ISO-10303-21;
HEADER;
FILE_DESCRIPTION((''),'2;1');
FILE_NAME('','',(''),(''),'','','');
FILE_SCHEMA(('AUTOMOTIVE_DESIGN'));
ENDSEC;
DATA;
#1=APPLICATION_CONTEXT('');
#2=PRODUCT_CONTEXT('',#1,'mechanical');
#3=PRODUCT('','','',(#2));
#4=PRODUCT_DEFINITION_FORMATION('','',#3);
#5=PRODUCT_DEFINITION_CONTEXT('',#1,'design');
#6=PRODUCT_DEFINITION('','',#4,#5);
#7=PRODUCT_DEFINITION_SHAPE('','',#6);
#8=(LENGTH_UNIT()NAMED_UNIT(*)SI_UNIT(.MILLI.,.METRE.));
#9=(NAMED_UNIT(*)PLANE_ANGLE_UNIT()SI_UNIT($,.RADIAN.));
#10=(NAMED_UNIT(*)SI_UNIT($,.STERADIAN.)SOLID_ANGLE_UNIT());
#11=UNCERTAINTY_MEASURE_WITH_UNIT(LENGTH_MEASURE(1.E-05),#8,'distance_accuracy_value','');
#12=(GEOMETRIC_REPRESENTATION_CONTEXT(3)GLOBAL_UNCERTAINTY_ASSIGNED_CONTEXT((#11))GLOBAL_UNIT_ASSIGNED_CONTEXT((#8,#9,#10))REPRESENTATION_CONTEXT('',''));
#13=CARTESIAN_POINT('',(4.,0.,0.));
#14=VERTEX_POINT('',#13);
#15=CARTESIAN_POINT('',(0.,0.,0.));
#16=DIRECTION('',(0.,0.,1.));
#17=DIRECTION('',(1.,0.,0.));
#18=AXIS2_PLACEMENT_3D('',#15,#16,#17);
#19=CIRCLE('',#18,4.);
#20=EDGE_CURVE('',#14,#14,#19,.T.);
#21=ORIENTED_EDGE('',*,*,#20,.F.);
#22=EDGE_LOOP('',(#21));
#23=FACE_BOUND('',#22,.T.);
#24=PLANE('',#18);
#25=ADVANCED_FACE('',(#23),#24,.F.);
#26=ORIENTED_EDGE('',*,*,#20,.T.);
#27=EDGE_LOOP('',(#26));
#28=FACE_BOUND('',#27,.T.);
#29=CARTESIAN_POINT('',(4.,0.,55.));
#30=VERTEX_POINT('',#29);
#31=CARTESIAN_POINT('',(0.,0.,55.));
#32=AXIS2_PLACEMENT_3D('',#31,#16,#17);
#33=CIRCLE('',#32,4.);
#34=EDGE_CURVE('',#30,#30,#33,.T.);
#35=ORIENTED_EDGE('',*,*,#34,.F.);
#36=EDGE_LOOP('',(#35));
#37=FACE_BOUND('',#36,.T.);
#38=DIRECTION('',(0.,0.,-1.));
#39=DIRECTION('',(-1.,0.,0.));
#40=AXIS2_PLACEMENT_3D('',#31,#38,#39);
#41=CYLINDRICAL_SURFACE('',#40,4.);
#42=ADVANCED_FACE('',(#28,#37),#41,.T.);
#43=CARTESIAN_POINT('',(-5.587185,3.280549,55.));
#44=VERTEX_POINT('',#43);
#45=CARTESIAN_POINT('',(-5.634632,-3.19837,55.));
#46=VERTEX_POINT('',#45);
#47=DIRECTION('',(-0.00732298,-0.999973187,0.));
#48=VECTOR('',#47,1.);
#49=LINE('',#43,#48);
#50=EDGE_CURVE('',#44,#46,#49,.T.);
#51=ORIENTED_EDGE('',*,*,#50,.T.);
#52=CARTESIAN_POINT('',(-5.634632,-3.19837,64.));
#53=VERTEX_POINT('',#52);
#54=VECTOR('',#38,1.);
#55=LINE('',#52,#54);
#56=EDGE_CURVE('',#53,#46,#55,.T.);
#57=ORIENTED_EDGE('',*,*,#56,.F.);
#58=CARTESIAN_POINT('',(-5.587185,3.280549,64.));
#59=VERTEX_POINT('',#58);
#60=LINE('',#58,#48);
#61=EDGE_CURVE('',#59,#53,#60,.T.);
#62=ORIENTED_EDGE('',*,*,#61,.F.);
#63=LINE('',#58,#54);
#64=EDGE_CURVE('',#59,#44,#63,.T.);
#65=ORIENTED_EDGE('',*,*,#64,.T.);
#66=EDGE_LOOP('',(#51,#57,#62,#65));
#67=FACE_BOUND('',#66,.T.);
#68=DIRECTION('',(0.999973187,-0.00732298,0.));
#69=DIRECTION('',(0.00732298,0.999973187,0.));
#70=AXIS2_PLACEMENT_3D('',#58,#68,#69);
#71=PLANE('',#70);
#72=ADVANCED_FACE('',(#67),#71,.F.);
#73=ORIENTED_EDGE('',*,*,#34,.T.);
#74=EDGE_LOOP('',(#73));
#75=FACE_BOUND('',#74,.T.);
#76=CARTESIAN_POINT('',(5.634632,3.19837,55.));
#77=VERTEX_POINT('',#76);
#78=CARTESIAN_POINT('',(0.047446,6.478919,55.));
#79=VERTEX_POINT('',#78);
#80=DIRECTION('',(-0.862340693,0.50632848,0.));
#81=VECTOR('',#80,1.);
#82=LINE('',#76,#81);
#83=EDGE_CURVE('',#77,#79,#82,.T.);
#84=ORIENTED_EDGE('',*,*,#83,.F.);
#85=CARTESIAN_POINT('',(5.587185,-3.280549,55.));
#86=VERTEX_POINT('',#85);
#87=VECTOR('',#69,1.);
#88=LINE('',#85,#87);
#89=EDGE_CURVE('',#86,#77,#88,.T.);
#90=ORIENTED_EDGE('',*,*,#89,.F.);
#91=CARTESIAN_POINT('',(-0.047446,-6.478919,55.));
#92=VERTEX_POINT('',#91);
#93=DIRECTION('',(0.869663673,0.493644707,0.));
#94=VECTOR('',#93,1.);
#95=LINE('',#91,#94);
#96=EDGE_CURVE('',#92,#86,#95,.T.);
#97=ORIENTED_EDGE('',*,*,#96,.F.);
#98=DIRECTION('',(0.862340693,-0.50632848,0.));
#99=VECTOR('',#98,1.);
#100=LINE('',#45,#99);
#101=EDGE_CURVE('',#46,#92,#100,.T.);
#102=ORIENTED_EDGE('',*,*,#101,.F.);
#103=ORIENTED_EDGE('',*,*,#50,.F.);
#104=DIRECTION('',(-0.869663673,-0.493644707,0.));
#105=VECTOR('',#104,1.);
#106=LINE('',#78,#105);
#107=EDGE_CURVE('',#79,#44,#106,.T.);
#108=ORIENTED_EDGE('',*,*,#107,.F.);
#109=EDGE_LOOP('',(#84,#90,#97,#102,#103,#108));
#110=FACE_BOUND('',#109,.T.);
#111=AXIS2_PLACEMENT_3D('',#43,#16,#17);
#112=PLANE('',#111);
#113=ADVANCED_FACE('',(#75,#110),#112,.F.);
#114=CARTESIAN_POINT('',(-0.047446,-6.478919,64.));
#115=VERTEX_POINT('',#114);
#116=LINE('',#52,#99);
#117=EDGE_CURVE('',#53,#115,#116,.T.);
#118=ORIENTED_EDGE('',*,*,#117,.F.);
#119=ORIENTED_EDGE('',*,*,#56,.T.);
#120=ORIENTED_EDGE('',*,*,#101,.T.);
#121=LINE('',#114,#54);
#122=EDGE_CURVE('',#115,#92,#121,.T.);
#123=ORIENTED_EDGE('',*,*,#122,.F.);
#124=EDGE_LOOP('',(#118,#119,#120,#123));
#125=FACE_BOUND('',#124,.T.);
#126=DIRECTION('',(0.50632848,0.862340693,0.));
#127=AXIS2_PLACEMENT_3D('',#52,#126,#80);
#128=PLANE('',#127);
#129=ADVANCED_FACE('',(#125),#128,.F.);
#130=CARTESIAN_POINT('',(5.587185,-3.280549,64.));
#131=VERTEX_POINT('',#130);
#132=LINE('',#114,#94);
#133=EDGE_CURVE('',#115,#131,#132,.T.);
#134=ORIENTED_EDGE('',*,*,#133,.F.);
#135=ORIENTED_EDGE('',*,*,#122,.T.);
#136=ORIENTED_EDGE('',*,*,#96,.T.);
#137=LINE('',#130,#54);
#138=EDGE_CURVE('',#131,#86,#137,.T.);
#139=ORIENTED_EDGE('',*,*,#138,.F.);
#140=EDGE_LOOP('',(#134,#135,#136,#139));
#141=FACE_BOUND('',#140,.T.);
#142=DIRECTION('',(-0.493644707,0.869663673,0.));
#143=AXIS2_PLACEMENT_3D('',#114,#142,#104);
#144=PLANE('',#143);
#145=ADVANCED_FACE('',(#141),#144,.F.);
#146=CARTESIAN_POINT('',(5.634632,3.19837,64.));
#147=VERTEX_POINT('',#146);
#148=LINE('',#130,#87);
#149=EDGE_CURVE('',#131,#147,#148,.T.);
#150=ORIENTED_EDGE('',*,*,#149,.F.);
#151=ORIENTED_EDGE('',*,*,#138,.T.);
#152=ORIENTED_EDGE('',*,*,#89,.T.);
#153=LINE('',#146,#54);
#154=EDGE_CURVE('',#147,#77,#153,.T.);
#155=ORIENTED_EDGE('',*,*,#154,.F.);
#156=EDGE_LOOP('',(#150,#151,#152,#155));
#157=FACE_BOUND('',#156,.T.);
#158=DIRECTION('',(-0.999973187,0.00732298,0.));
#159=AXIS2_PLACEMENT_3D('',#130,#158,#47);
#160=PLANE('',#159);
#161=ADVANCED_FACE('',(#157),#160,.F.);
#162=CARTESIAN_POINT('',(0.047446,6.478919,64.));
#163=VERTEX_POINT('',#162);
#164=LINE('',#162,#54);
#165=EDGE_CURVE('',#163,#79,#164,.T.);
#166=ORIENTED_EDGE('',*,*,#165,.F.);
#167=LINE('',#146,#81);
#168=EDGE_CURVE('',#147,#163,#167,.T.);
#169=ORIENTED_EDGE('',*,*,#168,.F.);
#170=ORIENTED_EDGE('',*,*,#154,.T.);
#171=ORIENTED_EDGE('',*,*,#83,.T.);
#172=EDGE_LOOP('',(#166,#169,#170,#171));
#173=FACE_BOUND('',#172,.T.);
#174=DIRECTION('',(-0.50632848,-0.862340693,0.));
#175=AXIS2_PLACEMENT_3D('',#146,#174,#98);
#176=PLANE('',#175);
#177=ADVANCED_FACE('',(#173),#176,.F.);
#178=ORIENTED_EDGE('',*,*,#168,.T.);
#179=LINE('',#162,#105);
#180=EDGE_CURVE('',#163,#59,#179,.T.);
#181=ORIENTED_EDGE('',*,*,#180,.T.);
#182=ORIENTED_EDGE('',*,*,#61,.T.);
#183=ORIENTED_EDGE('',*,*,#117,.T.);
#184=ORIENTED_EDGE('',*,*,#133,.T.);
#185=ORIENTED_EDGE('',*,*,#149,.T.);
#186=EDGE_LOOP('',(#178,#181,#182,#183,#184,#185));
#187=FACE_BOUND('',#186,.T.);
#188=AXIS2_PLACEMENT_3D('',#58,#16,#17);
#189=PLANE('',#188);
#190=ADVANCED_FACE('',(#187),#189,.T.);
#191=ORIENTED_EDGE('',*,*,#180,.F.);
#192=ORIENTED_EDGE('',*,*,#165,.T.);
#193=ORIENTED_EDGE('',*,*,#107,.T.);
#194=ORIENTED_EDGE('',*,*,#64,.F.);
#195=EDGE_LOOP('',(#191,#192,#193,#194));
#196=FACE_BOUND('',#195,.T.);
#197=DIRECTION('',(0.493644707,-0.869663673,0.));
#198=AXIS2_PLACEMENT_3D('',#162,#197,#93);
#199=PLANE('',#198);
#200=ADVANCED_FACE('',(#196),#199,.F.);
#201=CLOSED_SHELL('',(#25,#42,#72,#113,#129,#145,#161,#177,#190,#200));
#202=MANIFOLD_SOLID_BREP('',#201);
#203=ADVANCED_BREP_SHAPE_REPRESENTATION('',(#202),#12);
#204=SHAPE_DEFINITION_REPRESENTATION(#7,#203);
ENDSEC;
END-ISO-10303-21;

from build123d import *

# Parameters (mm, degrees)
SKETCH_1_R      = 4
EXTRUDE_1_DEPTH = 55
EXTRUDE_2_DEPTH = 9


with BuildPart() as part:
    # 草图1 → 拉伸1 (new body)
    with BuildSketch(Plane.XY):
        Circle(SKETCH_1_R)
    extrude(amount=EXTRUDE_1_DEPTH)

    # 草图2 → 拉伸2 (add)
    with BuildSketch(Plane.XY.offset(55)):
        Polygon((-5.587185355, 3.280549199), (-5.634631622, -3.198369853), (-0.047446267, -6.478919052), (5.587185355, -3.280549199), (5.634631622, 3.198369853), (0.047446267, 6.478919052), align=None)
    extrude(amount=EXTRUDE_2_DEPTH)


solid = part.part
